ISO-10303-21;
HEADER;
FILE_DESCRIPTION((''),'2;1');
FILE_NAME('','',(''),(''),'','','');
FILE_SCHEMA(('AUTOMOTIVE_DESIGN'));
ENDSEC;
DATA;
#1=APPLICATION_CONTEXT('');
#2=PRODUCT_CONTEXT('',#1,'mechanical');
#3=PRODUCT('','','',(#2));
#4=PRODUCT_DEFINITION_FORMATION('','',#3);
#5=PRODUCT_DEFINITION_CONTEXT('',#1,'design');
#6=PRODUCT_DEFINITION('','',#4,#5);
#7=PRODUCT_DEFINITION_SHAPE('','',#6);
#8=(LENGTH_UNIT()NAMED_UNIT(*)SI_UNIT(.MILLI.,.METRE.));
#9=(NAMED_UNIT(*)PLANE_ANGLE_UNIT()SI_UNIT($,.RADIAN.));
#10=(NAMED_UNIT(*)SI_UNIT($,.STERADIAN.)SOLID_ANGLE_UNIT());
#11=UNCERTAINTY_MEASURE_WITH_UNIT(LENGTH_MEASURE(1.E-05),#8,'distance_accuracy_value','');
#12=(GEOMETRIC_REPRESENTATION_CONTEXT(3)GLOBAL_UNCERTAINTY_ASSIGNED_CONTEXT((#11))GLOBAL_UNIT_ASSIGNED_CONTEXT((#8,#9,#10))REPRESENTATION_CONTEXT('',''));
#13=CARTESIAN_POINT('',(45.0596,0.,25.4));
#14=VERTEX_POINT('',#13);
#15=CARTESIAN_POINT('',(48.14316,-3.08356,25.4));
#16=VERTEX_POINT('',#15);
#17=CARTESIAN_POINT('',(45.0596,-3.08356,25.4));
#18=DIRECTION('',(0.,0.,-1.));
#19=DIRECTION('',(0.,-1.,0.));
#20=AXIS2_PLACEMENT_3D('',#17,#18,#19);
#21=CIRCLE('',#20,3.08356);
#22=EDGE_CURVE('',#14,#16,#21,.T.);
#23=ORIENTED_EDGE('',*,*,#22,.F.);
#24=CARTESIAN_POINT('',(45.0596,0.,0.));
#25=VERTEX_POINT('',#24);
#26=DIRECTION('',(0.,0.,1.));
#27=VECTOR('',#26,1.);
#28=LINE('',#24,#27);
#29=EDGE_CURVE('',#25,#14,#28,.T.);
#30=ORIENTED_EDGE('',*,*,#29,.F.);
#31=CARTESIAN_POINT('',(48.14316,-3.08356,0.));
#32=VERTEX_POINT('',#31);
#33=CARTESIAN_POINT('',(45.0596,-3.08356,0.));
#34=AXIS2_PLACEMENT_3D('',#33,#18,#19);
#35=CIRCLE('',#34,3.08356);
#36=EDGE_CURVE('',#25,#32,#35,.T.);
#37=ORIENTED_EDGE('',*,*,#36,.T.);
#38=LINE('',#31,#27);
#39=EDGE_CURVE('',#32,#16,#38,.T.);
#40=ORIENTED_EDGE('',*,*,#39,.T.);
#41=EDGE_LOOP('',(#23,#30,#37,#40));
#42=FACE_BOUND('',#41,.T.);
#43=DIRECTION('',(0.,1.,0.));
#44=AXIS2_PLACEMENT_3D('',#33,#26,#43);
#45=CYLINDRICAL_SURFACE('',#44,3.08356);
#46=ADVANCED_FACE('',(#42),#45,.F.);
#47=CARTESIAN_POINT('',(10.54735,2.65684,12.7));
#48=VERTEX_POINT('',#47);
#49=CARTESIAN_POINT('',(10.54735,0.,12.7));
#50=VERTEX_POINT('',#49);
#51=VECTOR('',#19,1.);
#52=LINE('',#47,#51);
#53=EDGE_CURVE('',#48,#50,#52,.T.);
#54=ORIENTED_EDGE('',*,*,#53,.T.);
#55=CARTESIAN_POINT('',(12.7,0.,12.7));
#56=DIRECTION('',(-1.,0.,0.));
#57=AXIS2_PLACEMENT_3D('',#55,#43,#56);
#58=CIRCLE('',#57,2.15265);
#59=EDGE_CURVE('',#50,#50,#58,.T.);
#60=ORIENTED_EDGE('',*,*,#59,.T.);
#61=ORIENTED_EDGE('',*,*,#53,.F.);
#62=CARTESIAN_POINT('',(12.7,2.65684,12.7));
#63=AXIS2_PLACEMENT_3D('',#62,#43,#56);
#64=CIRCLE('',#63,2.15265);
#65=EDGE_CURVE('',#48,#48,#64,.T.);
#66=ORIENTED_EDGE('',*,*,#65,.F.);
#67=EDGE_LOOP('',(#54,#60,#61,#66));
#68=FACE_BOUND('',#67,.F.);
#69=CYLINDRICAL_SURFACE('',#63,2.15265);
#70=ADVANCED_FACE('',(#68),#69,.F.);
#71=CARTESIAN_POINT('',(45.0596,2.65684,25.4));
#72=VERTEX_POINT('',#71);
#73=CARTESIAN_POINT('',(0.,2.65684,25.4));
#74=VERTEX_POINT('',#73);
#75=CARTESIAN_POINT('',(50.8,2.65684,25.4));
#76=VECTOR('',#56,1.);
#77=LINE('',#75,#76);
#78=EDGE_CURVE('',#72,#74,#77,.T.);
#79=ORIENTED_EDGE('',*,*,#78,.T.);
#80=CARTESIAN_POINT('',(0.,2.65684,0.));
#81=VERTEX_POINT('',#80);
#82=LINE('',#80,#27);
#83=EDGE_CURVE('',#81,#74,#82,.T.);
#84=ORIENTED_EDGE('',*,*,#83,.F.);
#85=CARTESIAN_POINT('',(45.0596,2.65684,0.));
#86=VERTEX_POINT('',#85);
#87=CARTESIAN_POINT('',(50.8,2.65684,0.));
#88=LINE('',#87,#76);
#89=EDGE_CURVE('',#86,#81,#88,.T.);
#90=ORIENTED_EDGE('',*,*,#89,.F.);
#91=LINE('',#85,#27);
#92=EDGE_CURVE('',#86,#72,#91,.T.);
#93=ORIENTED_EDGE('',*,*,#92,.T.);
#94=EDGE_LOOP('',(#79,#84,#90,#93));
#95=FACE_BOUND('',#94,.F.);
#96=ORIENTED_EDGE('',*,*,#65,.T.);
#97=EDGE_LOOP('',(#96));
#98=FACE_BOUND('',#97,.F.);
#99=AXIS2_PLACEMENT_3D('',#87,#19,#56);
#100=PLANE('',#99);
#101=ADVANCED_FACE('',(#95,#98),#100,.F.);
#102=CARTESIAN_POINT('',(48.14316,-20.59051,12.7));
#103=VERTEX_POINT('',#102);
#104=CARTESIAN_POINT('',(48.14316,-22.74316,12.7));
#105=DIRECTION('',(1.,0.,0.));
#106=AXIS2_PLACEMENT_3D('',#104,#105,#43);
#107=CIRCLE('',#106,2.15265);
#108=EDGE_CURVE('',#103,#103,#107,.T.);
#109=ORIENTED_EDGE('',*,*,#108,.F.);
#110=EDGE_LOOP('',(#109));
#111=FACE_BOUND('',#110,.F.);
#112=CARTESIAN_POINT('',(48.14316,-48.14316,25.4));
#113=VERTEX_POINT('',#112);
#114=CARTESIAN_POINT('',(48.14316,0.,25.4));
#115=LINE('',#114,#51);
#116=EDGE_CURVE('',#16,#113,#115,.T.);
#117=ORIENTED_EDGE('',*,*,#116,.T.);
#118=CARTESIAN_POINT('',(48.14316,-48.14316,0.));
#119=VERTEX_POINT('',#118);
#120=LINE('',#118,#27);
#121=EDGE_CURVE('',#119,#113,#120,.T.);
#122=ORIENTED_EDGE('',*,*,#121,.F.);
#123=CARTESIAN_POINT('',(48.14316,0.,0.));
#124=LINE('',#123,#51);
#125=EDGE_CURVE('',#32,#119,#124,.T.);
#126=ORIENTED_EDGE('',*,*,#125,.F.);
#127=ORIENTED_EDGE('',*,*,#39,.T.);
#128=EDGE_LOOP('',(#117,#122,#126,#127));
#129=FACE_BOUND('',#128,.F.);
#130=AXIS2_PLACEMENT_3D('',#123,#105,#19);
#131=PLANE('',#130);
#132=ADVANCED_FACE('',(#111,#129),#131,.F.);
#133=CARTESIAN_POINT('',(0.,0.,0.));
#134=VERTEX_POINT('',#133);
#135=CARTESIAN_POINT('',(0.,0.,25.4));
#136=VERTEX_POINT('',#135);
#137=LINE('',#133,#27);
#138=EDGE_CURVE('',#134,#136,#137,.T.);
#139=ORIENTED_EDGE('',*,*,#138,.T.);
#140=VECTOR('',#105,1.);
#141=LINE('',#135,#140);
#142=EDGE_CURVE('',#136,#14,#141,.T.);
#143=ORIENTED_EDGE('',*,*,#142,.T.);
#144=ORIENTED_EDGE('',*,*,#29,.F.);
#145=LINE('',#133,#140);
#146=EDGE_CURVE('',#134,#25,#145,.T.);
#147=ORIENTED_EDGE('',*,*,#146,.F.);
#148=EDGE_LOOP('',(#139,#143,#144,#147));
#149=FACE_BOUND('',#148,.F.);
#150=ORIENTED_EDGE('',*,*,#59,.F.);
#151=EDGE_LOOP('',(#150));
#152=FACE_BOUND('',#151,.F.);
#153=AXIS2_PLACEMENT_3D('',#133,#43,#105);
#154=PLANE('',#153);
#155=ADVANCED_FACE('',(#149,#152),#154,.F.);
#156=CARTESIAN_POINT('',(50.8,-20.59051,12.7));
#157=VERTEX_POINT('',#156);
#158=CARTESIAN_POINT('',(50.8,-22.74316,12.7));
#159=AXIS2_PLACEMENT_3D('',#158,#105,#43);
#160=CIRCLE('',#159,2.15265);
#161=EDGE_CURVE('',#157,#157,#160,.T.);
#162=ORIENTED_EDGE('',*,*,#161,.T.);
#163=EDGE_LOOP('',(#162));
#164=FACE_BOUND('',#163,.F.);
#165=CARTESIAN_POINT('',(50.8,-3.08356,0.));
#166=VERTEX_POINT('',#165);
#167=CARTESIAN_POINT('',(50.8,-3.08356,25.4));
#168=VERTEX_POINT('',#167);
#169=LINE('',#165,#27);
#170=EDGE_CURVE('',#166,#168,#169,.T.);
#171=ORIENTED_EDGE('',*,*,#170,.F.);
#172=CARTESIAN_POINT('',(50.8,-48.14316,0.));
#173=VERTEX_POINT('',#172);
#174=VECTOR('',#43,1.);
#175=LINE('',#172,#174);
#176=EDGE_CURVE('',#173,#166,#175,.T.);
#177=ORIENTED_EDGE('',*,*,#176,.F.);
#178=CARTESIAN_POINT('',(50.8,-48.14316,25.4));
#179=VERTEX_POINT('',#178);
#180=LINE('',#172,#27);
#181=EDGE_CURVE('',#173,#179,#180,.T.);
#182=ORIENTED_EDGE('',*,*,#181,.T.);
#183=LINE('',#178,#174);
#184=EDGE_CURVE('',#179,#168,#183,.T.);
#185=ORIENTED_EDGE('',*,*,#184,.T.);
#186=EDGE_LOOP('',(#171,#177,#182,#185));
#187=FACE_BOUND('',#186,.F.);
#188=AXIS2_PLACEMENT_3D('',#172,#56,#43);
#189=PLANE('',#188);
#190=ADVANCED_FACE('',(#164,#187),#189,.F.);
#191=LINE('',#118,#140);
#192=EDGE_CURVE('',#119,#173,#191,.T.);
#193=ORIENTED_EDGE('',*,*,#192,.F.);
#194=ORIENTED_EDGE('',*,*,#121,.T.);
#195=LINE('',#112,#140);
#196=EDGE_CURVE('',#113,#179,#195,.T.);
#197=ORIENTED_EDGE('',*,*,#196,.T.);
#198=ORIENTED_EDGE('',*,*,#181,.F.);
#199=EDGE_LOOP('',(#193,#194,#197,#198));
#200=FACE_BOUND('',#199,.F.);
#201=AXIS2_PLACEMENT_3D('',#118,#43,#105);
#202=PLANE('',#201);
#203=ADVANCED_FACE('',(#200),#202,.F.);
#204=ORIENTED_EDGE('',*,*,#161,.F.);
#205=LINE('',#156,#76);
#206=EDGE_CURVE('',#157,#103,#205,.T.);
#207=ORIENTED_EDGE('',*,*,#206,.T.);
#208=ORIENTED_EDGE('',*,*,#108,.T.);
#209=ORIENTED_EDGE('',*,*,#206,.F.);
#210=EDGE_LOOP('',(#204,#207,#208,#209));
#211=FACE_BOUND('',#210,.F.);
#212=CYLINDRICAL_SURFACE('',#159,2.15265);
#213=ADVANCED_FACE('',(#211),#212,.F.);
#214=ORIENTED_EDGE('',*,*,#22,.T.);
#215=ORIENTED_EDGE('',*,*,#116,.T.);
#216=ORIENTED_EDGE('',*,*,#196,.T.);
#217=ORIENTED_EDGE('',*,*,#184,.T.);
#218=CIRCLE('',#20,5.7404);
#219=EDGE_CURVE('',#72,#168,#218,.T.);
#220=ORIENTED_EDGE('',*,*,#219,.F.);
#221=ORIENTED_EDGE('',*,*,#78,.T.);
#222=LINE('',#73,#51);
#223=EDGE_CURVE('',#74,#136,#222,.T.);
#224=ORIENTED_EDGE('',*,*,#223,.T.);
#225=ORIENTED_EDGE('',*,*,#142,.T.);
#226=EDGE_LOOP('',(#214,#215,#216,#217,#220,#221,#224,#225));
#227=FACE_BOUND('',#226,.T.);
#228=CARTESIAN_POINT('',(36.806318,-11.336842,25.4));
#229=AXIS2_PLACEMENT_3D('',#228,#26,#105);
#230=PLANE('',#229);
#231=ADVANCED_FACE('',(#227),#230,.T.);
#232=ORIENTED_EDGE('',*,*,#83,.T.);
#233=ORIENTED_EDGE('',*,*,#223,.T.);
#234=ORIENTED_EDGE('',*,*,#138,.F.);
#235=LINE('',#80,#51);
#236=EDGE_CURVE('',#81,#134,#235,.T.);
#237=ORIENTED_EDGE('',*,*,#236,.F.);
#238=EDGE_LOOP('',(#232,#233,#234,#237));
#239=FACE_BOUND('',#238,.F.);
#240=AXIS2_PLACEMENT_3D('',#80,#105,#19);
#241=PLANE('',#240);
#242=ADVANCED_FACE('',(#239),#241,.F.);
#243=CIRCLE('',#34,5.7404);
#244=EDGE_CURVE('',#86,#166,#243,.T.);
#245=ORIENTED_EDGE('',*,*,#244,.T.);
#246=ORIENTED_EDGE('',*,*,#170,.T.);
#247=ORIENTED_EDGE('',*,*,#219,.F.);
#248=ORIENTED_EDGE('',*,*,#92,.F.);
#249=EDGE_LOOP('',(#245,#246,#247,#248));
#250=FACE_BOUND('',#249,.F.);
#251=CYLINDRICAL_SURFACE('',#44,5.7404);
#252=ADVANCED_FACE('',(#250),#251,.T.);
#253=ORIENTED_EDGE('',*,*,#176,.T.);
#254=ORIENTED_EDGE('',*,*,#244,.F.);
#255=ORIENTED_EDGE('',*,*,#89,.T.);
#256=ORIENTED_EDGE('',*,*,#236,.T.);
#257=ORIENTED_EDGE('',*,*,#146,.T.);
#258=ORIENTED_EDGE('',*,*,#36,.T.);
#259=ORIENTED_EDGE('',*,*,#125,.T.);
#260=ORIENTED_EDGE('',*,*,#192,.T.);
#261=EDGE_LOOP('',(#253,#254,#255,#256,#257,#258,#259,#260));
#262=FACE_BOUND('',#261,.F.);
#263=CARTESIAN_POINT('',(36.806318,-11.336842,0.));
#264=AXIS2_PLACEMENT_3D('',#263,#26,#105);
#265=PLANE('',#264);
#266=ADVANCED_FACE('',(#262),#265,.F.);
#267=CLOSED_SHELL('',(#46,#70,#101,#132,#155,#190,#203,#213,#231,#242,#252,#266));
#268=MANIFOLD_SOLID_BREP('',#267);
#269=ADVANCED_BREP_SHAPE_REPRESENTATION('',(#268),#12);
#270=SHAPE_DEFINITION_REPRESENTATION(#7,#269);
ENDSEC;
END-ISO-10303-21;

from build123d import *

# Parameters (mm, degrees)
F1_DEPTH = 25.4
F2_R     = 2.15265
F3_DEPTH = 2.65684
F4_R     = 2.15265
F5_DEPTH = 2.65684
F6_R     = 3.08356
F7_R     = 5.7404


with BuildPart() as f1:
    # F0 (on Top) → F1 (new body)
    with BuildSketch(Plane.XY):
        Polygon((0, 2.65684), (0, 0), (48.14316, 0), (48.14316, -48.14316), (50.8, -48.14316), (50.8, 2.65684), align=None)
    extrude(amount=F1_DEPTH)

    # F2 (on face) → F3 (cut, through all)
    with BuildSketch(Plane(origin=(0, 2.65684, 0), x_dir=(-1, 0, 0), z_dir=(0, 1, 0))):
        with Locations((-12.7, 12.7)):
            Circle(F2_R)
    extrude(amount=-F3_DEPTH, mode=Mode.SUBTRACT)

    # F4 (on face) → F5 (cut, through all)
    with BuildSketch(Plane.YZ.offset(50.8)):
        with Locations((-22.74316, 12.7)):
            Circle(F4_R)
    extrude(amount=-F5_DEPTH, mode=Mode.SUBTRACT)

    # F6
    f6_edges = [f1.edges().sort_by_distance(p)[0] for p in [
        (48.14316, 0, 12.7),
    ]]
    fillet(f6_edges, radius=F6_R)

    # F7
    f7_edges = [f1.edges().sort_by_distance(p)[0] for p in [
        (50.8, 2.65684, 12.7),
    ]]
    fillet(f7_edges, radius=F7_R)


solid = f1.part
